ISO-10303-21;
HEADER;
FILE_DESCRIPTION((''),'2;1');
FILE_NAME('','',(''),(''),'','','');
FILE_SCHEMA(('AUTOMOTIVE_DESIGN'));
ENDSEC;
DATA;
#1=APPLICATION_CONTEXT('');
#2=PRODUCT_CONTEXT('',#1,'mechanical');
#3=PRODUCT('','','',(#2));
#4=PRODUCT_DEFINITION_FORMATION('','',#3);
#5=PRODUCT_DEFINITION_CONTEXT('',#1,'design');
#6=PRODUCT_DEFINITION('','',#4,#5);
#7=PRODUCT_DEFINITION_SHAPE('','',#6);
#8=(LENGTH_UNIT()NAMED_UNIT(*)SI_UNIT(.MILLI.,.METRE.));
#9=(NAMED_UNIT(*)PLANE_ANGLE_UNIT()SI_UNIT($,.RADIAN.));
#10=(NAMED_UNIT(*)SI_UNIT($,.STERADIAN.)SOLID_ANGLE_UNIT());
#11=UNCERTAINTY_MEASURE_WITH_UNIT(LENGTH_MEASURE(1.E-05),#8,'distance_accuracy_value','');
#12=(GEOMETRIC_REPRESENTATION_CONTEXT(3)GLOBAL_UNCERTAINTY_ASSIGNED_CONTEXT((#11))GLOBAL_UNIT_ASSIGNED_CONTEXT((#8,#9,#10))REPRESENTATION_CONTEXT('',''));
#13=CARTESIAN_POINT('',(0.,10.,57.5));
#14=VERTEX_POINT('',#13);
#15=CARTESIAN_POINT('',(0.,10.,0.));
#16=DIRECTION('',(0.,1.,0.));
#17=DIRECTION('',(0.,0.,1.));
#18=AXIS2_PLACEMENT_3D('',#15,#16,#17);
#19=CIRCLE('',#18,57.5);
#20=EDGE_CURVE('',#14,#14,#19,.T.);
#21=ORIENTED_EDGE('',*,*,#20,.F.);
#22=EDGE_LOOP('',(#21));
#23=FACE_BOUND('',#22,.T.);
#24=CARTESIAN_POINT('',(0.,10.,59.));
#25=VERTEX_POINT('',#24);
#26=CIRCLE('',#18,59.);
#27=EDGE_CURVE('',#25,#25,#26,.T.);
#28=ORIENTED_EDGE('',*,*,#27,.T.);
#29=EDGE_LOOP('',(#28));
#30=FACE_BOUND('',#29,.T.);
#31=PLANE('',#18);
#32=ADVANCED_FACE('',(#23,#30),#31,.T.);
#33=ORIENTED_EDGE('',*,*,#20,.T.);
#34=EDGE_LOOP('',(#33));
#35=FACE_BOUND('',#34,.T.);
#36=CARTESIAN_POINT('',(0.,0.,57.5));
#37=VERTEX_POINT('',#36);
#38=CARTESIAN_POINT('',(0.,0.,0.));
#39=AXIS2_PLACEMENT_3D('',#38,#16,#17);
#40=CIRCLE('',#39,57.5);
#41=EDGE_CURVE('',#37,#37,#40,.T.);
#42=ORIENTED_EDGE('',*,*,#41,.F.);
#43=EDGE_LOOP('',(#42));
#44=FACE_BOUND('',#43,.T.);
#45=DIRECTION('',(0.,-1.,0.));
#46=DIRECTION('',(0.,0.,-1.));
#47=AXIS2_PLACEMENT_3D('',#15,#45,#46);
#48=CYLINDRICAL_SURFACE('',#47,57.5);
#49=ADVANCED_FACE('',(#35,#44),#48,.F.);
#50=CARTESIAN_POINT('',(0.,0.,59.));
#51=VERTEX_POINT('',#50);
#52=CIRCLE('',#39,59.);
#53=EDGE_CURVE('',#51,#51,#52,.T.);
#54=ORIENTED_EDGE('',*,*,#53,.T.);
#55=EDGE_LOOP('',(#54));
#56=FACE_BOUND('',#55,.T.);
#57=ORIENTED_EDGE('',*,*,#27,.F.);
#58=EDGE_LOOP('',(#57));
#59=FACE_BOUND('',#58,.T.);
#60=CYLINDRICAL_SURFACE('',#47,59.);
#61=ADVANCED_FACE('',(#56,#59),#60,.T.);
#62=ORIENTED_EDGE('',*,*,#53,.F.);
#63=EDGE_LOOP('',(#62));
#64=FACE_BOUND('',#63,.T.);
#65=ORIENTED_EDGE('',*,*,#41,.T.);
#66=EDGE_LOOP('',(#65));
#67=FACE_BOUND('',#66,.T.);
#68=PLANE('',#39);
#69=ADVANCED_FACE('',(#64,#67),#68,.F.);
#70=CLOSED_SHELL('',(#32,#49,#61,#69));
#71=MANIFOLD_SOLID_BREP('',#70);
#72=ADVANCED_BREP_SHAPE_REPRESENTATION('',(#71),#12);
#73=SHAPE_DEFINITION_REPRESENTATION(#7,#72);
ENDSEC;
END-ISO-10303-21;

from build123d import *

# Parameters (mm, degrees)
SKETCH_1_R      = 59
SKETCH_1_R_2    = 57.5
EXTRUDE_1_DEPTH = 10


with BuildPart() as part:
    # 草图1 → 凸台-拉伸1 (new body)
    with BuildSketch(Plane(origin=(0, 0, 0), x_dir=(1, 0, 0), z_dir=(0, 1, 0))):
        with Locations(Location((0, 0, 0), (0, 0, 270))):
            Circle(SKETCH_1_R)
        with Locations(Location((0, 0, 0), (0, 0, 270))):
            Circle(SKETCH_1_R_2, mode=Mode.SUBTRACT)
    extrude(amount=EXTRUDE_1_DEPTH)


solid = part.part
